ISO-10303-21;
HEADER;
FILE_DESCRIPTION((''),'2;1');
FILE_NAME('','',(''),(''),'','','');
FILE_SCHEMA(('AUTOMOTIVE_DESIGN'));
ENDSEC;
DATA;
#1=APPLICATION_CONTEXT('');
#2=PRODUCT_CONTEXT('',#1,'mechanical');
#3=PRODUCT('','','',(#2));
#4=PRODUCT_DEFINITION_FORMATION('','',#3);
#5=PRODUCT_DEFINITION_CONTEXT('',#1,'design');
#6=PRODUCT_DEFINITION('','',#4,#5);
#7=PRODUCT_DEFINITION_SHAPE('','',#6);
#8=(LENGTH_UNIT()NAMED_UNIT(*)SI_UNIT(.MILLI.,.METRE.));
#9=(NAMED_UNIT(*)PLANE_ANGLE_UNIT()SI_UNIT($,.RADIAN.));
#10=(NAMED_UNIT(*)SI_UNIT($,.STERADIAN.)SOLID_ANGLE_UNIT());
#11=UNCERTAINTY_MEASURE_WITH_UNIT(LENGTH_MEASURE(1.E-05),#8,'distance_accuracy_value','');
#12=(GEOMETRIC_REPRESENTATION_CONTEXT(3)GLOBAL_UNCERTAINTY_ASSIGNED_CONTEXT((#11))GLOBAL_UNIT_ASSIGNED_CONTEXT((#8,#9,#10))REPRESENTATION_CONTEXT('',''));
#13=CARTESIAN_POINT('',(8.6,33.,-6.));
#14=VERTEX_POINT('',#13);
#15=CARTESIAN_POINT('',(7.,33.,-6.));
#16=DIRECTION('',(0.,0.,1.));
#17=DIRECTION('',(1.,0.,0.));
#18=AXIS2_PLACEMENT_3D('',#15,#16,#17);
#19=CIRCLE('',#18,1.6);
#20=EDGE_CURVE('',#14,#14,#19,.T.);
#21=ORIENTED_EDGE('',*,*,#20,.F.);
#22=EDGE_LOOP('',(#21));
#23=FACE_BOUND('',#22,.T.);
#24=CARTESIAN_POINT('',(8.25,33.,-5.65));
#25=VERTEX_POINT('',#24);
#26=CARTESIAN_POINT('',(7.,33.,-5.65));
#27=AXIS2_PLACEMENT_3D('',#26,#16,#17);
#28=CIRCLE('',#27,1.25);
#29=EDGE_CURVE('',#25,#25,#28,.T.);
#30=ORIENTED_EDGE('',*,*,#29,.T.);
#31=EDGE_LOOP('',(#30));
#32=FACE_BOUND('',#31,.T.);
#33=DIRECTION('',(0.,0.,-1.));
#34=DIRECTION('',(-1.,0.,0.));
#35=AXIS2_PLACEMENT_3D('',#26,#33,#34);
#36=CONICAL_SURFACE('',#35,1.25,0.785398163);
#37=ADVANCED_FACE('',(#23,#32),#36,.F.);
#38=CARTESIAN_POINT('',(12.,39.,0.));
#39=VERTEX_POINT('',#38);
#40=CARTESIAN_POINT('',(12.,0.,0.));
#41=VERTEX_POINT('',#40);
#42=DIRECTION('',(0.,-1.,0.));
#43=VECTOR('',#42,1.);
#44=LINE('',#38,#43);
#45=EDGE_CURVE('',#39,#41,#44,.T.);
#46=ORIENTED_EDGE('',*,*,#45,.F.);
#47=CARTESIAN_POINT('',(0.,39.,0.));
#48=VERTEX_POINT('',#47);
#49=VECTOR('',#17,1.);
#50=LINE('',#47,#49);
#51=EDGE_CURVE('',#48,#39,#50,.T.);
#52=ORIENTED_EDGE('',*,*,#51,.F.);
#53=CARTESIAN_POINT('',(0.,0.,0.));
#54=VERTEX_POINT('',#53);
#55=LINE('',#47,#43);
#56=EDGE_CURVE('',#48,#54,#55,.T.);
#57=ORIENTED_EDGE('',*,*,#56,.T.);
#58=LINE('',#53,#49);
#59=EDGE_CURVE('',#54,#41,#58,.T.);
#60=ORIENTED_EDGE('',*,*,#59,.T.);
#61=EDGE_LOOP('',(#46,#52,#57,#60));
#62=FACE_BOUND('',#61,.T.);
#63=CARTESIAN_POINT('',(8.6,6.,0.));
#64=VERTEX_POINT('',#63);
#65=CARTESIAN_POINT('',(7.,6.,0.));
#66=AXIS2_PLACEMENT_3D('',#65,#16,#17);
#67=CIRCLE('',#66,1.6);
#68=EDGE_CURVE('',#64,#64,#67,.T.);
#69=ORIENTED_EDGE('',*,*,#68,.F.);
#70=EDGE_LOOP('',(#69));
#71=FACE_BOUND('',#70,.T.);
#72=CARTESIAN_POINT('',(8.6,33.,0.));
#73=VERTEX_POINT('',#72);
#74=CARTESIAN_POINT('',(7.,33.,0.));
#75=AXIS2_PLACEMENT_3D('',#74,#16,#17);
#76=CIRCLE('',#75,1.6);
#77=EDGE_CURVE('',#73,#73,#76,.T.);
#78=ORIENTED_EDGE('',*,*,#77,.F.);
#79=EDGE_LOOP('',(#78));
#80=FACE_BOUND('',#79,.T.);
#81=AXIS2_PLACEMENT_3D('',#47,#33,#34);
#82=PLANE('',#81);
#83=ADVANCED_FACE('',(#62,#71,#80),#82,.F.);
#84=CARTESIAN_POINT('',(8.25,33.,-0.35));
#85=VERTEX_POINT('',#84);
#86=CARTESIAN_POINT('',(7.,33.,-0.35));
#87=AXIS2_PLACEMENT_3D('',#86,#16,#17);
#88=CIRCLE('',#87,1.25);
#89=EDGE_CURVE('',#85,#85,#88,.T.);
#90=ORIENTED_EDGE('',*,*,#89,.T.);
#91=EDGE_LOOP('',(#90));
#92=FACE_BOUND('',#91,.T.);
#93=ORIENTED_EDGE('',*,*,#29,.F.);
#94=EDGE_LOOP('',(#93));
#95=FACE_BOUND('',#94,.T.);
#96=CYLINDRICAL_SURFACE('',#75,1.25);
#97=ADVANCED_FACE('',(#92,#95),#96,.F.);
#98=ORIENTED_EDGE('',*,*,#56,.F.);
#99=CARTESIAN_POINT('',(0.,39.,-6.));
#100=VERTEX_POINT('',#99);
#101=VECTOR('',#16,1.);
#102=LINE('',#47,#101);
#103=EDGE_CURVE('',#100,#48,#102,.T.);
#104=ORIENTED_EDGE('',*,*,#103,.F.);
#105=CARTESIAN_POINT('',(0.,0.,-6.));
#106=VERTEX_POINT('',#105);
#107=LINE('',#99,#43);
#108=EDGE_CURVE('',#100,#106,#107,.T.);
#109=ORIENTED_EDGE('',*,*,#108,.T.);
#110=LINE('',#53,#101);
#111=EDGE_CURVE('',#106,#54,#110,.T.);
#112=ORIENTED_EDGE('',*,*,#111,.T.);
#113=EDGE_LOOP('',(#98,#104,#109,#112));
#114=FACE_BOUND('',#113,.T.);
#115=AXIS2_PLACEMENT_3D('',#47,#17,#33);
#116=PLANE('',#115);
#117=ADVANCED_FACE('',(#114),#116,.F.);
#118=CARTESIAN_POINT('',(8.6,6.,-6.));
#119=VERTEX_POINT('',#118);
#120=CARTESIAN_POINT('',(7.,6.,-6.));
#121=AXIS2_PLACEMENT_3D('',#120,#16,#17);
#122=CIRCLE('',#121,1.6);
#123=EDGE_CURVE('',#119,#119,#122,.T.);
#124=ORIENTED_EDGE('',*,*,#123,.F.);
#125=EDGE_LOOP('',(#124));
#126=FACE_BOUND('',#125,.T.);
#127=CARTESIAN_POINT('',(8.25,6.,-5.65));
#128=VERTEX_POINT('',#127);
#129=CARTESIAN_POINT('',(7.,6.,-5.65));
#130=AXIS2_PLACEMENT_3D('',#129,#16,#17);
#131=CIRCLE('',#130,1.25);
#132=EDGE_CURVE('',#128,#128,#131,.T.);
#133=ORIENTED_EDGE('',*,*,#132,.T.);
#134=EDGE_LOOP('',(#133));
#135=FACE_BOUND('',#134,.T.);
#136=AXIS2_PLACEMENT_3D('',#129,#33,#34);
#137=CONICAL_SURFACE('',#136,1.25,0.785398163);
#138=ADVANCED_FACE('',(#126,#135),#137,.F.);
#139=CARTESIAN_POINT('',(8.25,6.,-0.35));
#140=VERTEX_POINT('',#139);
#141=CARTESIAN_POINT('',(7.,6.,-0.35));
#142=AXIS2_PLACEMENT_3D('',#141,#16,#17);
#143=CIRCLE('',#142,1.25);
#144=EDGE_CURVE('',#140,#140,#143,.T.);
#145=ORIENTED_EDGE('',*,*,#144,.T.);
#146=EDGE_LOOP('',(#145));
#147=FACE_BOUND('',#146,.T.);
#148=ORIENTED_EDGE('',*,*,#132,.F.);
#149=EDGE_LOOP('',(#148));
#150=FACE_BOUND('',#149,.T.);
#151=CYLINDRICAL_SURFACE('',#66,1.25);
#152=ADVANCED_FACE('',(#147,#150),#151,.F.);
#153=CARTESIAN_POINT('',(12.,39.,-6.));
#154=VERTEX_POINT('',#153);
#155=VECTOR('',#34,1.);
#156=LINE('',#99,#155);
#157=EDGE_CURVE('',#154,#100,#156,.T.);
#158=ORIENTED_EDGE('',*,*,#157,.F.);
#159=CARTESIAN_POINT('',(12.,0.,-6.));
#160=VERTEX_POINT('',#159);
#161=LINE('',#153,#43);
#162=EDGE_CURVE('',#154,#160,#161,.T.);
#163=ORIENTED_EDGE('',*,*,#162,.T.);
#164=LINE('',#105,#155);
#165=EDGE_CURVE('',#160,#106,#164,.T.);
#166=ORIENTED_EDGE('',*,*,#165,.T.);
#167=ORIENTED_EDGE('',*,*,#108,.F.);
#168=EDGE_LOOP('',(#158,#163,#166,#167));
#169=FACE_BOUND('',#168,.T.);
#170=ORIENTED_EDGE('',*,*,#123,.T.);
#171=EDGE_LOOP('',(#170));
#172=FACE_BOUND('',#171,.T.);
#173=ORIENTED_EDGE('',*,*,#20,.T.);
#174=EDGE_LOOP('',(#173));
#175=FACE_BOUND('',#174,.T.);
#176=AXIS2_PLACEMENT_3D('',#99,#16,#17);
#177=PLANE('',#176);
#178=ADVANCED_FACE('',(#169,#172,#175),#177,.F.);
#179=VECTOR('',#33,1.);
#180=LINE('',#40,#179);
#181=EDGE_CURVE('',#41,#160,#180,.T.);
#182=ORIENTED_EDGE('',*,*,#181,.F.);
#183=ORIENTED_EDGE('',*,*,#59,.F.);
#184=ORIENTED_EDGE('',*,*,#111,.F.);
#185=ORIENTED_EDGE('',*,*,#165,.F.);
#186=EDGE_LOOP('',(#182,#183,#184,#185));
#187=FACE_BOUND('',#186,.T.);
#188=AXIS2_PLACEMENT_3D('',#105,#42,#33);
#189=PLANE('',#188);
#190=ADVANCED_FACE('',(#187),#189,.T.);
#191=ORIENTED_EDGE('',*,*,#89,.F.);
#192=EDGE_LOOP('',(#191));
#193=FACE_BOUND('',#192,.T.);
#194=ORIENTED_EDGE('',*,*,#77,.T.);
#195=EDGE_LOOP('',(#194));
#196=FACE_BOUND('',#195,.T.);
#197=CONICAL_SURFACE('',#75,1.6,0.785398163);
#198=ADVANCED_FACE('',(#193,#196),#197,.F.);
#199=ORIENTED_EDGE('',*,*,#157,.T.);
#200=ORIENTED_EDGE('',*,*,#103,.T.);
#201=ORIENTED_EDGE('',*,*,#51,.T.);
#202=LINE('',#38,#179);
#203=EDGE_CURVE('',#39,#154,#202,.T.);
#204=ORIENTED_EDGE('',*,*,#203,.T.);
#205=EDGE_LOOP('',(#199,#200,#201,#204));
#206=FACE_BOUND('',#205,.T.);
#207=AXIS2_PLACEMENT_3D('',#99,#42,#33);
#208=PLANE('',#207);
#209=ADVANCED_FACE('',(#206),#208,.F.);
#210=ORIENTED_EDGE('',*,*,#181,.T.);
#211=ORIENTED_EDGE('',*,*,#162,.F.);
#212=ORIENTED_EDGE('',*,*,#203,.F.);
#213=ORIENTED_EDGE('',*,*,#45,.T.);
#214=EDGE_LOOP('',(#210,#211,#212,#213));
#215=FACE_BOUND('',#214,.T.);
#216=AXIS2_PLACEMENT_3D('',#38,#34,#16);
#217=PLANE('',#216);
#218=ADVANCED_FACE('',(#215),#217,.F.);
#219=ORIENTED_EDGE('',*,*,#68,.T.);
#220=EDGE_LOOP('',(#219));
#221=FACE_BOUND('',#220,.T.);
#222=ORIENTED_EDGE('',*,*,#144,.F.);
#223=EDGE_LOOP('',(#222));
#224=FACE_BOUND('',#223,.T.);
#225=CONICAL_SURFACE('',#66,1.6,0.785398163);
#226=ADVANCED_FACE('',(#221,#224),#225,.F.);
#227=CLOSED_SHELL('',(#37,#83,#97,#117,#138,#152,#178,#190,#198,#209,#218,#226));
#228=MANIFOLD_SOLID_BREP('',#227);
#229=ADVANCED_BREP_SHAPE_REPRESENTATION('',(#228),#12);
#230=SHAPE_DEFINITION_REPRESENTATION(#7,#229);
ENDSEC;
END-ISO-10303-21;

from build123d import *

# Parameters (mm, degrees)
SKETCH_1_W                 = 12
SKETCH_1_H                 = 6
EXTRUDE_1_DEPTH            = 39
HOLE_WIZARD_M31_AT_2_COUNT = 2
HOLE_WIZARD_M31_AT_2_PITCH = 27


with BuildPart() as part:
    # Эскиз1 → Бобышка-Вытянуть1 (new body)
    with BuildSketch(Plane(origin=(0, 0, 0), x_dir=(1, 0, 0), z_dir=(0, 1, 0))):
        with Locations((6, 3)):
            Rectangle(SKETCH_1_W, SKETCH_1_H)
    extrude(amount=EXTRUDE_1_DEPTH)

    # Эскиз2 → Отверстие обработанное метчиком M31 (revolve, cut)
    with BuildSketch(Plane(origin=(7, 6, 0), x_dir=(0, -1, 0), z_dir=(1, 0, 0))):
        Polygon((0, 0), (0, 6), (1.6, 6), (1.25, 5.65), (1.25, 0.35), (1.6, 0), align=None)
    hole_wizard_m31 = revolve(axis=Axis((7, 6, 6.35), (0, 0, -1)), mode=Mode.SUBTRACT)

    # Отверстие обработанное метчиком M31 at 2: Отверстие обработанное метчиком M31 ×2
    with Locations(*[(0, i * HOLE_WIZARD_M31_AT_2_PITCH, 0) for i in range(1, HOLE_WIZARD_M31_AT_2_COUNT)]):
        add(hole_wizard_m31, mode=Mode.SUBTRACT)


solid = part.part
